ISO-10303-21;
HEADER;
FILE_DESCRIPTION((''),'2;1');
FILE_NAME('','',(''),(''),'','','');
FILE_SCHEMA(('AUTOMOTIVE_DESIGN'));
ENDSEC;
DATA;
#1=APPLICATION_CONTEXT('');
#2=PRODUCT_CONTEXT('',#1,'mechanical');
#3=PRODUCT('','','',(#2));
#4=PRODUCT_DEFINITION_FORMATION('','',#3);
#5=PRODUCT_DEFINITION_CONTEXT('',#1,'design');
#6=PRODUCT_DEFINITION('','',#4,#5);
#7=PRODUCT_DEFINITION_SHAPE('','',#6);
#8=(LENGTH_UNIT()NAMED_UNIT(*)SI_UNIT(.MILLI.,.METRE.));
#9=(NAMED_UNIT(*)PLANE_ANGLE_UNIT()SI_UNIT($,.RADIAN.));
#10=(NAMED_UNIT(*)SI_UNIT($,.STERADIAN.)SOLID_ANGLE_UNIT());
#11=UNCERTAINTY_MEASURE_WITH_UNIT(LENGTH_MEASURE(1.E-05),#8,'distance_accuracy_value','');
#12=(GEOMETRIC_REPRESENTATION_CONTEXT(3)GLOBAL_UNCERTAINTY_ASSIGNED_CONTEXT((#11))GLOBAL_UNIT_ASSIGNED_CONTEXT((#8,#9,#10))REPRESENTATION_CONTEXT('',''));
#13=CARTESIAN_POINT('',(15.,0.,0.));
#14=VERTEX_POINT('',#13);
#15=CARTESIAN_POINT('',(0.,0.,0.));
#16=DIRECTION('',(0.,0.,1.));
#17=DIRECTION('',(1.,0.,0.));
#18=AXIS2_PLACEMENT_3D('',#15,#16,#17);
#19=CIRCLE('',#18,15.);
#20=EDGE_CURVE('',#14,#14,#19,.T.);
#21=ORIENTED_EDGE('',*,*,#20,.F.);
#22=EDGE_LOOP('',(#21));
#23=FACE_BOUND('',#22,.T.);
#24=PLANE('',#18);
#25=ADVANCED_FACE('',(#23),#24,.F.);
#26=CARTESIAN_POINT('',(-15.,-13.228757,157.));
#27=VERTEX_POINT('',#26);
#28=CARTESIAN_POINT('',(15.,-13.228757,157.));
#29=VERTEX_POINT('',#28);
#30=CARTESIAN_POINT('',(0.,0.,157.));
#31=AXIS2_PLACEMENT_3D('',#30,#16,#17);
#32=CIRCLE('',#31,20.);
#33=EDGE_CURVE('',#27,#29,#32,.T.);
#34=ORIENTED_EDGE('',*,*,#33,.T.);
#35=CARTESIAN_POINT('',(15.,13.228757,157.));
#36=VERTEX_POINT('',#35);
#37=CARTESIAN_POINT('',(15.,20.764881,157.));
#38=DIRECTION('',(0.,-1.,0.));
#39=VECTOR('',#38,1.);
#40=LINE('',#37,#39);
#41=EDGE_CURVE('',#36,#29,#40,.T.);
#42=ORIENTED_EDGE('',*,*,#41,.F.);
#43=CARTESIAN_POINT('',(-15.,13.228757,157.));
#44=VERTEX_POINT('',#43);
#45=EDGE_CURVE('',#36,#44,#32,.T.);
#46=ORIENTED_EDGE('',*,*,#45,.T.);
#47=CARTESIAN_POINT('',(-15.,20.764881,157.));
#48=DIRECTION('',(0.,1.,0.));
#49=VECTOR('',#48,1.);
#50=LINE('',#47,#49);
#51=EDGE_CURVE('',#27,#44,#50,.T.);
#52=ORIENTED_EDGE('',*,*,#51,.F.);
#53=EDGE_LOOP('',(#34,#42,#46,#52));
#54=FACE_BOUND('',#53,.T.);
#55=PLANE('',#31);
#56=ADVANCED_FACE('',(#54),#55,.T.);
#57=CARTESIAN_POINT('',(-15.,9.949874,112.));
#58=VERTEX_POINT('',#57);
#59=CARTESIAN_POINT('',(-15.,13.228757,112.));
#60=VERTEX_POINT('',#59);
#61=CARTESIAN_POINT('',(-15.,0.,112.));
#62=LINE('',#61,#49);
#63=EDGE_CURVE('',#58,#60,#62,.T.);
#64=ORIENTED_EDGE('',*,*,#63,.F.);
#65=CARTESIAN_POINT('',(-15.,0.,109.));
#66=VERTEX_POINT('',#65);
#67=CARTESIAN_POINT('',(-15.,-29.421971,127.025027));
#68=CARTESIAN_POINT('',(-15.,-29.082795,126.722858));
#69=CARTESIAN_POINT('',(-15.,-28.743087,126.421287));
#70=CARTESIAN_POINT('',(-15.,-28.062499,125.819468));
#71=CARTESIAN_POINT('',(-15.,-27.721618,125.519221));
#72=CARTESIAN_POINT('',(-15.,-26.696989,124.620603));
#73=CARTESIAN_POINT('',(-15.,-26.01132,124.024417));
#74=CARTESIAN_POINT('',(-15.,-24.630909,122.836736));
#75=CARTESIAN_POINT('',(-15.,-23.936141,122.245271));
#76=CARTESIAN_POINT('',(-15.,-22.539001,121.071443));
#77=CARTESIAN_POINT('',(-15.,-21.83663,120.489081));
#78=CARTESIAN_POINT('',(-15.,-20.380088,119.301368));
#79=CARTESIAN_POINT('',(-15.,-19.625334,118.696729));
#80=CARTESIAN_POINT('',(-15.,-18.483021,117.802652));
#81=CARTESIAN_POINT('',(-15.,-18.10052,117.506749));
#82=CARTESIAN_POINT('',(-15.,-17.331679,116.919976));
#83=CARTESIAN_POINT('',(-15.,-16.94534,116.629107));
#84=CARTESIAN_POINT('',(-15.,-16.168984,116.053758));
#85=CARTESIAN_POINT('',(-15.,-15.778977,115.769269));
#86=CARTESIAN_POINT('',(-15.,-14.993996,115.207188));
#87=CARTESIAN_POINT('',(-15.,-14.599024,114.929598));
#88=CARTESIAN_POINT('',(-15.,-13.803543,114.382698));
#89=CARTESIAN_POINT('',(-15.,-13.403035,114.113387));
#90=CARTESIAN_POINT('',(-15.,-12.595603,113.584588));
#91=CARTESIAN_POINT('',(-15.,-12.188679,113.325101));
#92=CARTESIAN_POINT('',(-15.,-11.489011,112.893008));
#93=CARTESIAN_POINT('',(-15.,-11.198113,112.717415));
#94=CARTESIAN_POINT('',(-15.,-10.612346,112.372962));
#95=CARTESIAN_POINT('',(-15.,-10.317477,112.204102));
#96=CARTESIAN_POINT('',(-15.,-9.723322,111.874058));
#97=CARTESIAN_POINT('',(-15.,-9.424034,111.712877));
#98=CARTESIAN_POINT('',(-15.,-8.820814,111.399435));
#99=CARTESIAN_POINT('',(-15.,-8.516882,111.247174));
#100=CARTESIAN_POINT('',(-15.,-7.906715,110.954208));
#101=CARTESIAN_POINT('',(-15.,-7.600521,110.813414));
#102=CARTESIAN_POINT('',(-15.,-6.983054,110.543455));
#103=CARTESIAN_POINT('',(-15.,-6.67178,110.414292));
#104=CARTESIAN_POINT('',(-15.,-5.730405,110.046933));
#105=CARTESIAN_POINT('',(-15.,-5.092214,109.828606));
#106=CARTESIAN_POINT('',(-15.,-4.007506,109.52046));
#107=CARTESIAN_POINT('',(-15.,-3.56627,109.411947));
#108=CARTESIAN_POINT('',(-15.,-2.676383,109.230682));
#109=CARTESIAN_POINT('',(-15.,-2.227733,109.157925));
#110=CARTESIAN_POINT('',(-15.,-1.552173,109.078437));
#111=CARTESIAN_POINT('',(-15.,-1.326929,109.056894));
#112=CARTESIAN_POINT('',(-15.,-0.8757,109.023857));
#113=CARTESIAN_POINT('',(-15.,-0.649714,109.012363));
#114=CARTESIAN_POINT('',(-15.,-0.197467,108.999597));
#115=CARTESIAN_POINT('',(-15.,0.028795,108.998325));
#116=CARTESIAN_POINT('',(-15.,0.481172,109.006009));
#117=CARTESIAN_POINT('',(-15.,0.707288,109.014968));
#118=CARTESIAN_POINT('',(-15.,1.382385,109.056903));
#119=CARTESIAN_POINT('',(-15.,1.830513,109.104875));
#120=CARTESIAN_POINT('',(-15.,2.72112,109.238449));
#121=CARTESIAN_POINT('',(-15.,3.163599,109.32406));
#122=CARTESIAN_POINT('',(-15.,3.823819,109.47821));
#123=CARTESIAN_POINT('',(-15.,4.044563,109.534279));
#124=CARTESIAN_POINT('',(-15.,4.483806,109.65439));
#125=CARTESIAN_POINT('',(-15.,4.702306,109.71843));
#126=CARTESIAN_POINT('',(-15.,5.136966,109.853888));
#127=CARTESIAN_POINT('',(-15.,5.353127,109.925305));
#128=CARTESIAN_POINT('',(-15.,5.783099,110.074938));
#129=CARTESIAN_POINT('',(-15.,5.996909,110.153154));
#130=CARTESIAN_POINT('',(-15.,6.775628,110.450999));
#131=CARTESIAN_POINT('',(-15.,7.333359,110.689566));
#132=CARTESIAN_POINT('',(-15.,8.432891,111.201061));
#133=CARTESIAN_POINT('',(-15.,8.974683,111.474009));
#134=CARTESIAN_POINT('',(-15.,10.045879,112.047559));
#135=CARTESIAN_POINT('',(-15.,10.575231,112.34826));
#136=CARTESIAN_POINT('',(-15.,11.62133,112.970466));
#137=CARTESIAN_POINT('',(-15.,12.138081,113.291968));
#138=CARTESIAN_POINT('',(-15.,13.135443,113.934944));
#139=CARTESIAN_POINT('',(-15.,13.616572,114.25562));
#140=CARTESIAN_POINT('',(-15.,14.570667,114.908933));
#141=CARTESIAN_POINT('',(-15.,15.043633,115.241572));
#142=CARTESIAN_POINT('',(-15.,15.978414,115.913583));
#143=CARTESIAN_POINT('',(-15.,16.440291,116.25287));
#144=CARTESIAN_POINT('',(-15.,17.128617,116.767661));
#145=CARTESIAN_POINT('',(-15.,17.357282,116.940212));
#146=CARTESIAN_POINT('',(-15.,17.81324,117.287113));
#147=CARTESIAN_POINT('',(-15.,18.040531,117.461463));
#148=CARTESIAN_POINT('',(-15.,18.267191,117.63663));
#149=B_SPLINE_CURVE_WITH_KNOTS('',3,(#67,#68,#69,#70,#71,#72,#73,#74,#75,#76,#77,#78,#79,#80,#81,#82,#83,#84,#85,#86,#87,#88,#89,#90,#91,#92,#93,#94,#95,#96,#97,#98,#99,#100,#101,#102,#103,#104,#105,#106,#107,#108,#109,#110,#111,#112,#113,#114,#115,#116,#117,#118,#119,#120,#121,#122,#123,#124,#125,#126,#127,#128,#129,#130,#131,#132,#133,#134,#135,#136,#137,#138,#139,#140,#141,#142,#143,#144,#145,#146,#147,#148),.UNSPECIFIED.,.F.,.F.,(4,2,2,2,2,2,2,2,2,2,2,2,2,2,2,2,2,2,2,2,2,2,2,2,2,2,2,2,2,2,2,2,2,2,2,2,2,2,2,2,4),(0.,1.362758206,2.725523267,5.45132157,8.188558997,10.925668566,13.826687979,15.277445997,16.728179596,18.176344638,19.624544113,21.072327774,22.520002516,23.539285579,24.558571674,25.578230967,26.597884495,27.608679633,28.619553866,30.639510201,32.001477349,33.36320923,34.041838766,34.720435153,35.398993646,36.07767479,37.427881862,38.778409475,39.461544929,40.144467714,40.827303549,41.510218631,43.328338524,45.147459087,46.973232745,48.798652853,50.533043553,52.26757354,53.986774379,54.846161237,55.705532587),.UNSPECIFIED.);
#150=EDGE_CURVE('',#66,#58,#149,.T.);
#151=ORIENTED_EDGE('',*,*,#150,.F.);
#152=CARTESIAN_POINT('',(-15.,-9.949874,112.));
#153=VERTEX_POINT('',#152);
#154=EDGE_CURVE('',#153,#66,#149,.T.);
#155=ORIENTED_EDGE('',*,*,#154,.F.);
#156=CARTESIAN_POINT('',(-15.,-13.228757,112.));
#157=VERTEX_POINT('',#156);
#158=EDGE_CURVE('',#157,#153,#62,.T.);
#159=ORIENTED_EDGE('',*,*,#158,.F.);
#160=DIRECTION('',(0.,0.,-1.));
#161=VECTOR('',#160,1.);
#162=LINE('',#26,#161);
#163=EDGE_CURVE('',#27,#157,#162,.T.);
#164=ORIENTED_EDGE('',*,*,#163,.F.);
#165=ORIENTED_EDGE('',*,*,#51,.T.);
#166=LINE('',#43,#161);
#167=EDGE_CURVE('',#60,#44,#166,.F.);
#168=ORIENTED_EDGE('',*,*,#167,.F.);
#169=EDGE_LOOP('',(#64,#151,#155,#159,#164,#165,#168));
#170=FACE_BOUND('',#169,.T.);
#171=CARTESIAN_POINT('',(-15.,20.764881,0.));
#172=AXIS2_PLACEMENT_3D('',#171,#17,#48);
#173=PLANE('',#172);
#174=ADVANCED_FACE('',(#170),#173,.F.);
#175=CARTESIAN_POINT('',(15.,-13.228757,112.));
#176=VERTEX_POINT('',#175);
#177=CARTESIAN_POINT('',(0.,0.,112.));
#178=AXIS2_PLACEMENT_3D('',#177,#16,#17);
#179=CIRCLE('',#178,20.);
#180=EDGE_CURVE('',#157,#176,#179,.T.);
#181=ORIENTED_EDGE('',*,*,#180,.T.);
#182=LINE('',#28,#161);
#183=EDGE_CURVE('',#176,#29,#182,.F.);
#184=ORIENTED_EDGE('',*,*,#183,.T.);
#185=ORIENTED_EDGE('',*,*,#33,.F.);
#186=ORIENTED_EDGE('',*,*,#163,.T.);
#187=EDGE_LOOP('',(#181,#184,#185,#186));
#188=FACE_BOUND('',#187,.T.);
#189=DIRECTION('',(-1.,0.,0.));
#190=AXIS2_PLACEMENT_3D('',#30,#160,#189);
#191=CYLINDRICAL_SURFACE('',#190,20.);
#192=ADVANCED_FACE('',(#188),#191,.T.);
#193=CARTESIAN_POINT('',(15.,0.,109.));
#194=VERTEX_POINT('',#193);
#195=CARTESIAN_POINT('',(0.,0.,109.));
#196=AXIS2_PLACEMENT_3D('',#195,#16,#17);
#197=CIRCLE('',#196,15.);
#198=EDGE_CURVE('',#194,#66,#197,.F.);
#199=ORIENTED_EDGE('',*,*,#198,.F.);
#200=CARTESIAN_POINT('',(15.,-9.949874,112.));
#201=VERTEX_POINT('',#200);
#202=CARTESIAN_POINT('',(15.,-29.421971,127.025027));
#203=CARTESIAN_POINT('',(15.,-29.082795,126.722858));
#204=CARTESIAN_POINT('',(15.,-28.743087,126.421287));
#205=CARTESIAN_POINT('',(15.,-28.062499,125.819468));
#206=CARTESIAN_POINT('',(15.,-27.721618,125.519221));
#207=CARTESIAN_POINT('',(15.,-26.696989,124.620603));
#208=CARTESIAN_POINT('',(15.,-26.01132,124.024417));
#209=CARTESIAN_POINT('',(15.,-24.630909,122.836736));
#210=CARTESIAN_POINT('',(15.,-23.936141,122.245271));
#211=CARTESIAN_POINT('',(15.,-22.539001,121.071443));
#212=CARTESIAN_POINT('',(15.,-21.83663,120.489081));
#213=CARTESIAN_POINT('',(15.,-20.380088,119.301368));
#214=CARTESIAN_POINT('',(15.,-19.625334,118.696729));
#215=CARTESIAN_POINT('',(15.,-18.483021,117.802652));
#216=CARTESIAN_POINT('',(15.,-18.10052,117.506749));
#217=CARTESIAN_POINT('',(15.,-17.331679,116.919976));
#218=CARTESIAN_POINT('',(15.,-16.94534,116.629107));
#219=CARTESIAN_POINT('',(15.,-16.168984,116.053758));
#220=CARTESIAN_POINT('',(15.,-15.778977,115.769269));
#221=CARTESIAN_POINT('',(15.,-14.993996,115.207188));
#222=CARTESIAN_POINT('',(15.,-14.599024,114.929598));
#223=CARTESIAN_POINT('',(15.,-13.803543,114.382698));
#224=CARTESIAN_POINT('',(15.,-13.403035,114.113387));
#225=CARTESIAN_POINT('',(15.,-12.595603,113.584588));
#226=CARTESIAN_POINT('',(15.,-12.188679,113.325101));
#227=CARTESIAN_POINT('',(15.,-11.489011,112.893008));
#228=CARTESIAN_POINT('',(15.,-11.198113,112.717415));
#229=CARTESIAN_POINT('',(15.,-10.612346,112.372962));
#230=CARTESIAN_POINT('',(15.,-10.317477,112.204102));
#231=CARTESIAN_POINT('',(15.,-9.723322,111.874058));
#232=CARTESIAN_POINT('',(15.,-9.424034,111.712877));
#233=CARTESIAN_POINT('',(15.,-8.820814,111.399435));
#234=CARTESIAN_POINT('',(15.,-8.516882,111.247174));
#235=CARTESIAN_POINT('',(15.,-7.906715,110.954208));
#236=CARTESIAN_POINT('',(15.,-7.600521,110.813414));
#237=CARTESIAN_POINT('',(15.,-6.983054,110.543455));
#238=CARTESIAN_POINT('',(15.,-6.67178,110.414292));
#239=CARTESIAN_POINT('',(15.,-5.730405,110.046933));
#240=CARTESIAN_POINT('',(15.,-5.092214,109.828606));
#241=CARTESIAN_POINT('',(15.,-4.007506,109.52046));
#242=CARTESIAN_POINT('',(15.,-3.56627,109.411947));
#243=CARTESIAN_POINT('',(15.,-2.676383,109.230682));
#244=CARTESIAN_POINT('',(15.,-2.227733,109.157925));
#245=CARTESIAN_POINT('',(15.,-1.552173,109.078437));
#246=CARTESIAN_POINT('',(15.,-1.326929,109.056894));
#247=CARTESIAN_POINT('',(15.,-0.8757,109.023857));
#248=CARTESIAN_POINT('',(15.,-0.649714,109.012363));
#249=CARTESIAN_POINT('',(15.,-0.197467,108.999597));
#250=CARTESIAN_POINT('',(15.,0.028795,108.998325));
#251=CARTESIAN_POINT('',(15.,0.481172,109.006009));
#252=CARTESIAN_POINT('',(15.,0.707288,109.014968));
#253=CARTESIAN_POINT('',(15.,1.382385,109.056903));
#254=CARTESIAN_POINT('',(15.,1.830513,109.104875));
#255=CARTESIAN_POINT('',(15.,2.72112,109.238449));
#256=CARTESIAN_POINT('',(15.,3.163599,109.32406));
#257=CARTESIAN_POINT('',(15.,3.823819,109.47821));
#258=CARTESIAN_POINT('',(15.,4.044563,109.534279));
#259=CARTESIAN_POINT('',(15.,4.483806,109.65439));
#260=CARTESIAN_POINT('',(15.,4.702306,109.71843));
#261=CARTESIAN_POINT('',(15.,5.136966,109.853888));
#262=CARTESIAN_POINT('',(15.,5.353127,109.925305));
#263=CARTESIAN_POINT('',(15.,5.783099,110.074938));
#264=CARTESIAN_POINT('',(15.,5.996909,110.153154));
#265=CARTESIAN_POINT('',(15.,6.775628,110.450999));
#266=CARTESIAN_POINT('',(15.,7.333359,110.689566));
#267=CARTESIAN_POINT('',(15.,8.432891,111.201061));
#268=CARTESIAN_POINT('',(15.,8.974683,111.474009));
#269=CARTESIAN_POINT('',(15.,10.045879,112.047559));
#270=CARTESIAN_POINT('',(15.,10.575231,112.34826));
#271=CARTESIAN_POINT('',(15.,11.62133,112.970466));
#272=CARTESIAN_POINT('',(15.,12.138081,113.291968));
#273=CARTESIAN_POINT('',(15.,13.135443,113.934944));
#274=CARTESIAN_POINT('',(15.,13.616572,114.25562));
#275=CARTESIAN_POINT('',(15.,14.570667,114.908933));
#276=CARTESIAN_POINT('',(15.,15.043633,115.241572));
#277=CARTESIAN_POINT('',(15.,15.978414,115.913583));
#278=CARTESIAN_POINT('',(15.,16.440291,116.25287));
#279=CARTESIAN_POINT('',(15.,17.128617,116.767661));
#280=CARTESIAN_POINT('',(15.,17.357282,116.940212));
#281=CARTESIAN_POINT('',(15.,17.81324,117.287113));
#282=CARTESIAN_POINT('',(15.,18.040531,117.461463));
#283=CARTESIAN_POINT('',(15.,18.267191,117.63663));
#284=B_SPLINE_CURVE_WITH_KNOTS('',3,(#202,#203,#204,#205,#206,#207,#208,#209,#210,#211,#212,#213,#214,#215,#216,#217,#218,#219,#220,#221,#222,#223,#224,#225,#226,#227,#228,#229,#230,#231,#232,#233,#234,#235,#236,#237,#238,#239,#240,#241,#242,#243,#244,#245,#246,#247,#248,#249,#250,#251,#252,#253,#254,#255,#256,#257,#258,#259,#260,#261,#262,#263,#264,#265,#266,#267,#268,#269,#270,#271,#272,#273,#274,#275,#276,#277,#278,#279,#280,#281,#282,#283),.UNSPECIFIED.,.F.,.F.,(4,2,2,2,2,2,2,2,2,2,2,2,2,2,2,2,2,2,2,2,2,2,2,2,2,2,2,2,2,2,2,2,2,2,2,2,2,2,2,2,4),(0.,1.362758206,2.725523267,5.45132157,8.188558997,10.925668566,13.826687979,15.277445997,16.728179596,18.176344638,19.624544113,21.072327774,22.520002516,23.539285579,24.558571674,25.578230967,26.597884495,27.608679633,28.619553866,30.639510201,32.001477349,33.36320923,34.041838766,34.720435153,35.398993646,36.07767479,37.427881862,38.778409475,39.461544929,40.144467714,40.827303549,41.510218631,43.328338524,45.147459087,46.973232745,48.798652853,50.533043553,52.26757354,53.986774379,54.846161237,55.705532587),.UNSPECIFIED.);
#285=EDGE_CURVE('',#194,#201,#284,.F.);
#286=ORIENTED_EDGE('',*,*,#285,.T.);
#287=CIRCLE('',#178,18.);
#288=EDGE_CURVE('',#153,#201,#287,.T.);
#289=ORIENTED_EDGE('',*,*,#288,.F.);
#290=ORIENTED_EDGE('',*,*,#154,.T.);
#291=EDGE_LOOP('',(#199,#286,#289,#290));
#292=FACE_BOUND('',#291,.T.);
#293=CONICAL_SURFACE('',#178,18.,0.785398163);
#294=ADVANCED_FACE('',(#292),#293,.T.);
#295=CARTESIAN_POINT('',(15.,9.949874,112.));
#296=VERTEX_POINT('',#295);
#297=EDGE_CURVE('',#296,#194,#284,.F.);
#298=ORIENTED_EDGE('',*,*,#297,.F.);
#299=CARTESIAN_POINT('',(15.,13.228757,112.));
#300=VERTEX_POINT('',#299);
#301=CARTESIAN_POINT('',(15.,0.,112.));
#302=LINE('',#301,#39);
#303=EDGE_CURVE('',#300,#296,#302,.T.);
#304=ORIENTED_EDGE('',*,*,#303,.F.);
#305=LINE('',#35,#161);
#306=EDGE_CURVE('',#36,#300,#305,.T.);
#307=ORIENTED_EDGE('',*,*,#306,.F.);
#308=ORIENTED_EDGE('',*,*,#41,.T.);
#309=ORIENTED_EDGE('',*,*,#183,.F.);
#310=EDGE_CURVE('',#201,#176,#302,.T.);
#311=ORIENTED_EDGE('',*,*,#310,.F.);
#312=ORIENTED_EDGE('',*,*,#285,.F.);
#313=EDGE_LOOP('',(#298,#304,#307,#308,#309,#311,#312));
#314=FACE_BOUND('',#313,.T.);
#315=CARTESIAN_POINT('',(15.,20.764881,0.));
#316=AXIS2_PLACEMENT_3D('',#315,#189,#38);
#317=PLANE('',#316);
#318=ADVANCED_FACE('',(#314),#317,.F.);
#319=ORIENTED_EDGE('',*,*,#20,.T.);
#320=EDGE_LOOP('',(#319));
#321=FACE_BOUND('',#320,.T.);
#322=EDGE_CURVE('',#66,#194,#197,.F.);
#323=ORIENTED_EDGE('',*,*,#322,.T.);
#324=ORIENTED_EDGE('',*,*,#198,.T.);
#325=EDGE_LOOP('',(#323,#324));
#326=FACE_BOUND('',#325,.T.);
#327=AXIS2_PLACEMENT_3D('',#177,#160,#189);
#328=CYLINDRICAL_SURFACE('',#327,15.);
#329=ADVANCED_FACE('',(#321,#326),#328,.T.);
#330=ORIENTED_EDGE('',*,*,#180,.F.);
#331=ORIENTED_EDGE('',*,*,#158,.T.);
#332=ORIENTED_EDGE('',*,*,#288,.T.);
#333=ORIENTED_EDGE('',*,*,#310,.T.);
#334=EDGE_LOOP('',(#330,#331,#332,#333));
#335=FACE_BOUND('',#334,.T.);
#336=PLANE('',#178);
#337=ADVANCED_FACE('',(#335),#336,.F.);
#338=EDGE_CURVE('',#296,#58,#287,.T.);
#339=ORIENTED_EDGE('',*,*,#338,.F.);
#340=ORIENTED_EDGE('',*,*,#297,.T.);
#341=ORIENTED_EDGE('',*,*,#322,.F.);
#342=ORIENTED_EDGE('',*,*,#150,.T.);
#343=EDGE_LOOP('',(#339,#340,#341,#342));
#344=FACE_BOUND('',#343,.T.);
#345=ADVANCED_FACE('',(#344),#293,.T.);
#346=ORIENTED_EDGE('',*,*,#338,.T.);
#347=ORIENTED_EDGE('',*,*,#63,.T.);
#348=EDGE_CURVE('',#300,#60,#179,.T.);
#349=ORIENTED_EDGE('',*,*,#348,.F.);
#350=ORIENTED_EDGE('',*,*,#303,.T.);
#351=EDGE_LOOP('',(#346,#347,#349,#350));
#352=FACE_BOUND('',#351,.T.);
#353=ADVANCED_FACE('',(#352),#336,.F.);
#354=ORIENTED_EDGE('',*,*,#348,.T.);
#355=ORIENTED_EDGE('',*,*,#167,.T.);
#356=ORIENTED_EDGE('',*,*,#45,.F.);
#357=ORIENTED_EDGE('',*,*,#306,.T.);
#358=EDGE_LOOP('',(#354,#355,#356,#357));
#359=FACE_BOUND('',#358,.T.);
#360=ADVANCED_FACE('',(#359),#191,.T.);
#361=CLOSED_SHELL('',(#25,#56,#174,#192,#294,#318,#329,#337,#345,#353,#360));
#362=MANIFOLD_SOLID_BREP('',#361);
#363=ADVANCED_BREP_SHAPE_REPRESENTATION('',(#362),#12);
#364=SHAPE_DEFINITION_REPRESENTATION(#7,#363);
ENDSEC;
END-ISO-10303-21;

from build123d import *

# Parameters (mm, degrees)
SKETCH_1_R          = 15
EXTRUDE_1_DEPTH     = 112
SKETCH_2_R          = 20
EXTRUDE_2_DEPTH     = 45
CHAMFER_1_SIZE      = 3
SKETCH_3_W          = 15.452934815
SKETCH_3_H          = 42.066322552
CUT_EXTRUDE_3_DEPTH = 160.527427109


with BuildPart() as part:
    # Эскиз1 → Вытянуть1 (new body)
    with BuildSketch(Plane.XY):
        Circle(SKETCH_1_R)
    extrude(amount=EXTRUDE_1_DEPTH)

    # Эскиз2 → Вытянуть2 (add)
    with BuildSketch(Plane.XY.offset(112)):
        with Locations(Location((0, 0, 0), (0, 0, 180))):
            Circle(SKETCH_2_R)
    extrude(amount=EXTRUDE_2_DEPTH)

    # Фаска1
    chamfer_1_edges = [part.edges().sort_by_distance(p)[0] for p in [
        (-15, 0, 112),
    ]]
    chamfer(chamfer_1_edges, length=CHAMFER_1_SIZE)

    # Эскиз3 → Вытянуть3 (cut, through all)
    with BuildSketch(Plane.XY.offset(157)):
        with Locations((22.726467408, -0.268280118)):
            Rectangle(SKETCH_3_W, SKETCH_3_H)
        with Locations((-22.726467408, -0.268280118)):
            Rectangle(SKETCH_3_W, SKETCH_3_H)
    extrude(amount=-CUT_EXTRUDE_3_DEPTH, mode=Mode.SUBTRACT)


solid = part.part
